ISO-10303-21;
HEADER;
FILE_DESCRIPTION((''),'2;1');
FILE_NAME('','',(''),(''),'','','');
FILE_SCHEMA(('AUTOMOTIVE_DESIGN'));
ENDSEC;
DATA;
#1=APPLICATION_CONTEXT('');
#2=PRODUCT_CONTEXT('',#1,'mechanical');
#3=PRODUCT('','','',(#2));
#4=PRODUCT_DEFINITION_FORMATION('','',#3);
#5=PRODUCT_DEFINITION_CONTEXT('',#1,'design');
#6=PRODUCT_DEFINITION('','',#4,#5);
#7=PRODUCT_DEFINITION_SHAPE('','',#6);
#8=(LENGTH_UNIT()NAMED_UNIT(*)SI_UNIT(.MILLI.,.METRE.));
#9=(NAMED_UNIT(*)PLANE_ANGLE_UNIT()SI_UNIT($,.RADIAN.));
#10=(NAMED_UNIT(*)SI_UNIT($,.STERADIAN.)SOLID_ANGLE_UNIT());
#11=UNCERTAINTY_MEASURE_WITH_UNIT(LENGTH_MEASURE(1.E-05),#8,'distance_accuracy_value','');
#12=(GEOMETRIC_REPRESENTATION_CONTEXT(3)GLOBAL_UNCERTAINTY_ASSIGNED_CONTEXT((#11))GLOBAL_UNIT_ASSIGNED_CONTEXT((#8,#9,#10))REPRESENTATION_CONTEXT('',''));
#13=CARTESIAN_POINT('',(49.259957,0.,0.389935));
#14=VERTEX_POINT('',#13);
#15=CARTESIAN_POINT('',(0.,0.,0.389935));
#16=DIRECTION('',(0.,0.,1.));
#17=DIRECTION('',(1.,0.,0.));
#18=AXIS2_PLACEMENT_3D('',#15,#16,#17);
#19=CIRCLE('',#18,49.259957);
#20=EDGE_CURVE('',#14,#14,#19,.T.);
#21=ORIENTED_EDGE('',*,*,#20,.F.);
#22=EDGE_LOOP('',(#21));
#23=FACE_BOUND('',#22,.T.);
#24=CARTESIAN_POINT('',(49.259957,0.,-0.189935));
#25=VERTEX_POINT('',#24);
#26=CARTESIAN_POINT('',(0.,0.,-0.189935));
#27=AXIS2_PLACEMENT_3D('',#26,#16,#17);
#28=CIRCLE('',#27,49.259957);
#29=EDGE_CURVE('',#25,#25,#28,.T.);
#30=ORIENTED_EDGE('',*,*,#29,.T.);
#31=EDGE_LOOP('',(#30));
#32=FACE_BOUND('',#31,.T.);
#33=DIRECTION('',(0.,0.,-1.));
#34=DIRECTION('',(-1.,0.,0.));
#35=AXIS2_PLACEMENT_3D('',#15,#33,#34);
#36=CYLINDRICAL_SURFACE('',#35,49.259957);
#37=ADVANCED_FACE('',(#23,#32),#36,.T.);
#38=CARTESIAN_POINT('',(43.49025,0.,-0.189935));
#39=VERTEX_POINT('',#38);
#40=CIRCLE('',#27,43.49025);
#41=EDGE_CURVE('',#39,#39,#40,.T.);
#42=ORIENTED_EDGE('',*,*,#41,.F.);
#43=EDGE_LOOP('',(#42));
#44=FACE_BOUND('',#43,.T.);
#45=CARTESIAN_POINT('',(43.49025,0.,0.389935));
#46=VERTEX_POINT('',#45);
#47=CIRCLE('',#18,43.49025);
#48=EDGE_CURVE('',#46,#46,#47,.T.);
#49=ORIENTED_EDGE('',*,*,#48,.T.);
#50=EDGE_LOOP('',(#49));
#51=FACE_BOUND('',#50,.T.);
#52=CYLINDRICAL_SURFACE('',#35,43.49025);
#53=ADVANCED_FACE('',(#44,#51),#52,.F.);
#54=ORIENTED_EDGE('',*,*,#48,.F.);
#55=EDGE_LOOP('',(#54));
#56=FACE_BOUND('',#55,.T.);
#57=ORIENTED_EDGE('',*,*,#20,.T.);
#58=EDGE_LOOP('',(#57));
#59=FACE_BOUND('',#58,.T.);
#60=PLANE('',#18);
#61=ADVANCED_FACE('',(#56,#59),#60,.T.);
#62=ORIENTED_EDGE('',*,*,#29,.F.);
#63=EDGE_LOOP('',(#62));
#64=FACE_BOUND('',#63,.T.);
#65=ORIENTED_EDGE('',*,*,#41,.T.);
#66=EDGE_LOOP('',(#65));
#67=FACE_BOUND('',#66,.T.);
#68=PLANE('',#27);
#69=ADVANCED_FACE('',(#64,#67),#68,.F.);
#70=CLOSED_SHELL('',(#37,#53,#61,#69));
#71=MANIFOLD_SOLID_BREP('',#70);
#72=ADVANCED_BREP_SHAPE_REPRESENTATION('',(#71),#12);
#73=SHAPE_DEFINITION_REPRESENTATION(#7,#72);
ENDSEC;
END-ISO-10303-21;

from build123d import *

# Parameters (mm, degrees)
SKETCH1_R           = 16.99
SKETCH1_R_2         = 15
BOSS_EXTRUDE1_DEPTH = 0.2
SCALE1_SCALE        = 1.9329
SCALE2_SCALE        = 1.5


with BuildPart() as part:
    # Sketch1 → Boss-Extrude1 (new body)
    with BuildSketch(Plane.XY):
        Circle(SKETCH1_R)
        Circle(SKETCH1_R_2, mode=Mode.SUBTRACT)
    extrude(amount=BOSS_EXTRUDE1_DEPTH)


with BuildPart() as part_1:
    # Scale1: scaled about (0, 0, 0.1)
    add(part.part.scale(SCALE1_SCALE).moved(Location((0, 0, -0.09329))))


with BuildPart() as part_2:
    # Scale2: scaled about (0, 0, 0.1)
    add(part_1.part.scale(SCALE2_SCALE).moved(Location((0, 0, -0.05))))


solid = part_2.part
